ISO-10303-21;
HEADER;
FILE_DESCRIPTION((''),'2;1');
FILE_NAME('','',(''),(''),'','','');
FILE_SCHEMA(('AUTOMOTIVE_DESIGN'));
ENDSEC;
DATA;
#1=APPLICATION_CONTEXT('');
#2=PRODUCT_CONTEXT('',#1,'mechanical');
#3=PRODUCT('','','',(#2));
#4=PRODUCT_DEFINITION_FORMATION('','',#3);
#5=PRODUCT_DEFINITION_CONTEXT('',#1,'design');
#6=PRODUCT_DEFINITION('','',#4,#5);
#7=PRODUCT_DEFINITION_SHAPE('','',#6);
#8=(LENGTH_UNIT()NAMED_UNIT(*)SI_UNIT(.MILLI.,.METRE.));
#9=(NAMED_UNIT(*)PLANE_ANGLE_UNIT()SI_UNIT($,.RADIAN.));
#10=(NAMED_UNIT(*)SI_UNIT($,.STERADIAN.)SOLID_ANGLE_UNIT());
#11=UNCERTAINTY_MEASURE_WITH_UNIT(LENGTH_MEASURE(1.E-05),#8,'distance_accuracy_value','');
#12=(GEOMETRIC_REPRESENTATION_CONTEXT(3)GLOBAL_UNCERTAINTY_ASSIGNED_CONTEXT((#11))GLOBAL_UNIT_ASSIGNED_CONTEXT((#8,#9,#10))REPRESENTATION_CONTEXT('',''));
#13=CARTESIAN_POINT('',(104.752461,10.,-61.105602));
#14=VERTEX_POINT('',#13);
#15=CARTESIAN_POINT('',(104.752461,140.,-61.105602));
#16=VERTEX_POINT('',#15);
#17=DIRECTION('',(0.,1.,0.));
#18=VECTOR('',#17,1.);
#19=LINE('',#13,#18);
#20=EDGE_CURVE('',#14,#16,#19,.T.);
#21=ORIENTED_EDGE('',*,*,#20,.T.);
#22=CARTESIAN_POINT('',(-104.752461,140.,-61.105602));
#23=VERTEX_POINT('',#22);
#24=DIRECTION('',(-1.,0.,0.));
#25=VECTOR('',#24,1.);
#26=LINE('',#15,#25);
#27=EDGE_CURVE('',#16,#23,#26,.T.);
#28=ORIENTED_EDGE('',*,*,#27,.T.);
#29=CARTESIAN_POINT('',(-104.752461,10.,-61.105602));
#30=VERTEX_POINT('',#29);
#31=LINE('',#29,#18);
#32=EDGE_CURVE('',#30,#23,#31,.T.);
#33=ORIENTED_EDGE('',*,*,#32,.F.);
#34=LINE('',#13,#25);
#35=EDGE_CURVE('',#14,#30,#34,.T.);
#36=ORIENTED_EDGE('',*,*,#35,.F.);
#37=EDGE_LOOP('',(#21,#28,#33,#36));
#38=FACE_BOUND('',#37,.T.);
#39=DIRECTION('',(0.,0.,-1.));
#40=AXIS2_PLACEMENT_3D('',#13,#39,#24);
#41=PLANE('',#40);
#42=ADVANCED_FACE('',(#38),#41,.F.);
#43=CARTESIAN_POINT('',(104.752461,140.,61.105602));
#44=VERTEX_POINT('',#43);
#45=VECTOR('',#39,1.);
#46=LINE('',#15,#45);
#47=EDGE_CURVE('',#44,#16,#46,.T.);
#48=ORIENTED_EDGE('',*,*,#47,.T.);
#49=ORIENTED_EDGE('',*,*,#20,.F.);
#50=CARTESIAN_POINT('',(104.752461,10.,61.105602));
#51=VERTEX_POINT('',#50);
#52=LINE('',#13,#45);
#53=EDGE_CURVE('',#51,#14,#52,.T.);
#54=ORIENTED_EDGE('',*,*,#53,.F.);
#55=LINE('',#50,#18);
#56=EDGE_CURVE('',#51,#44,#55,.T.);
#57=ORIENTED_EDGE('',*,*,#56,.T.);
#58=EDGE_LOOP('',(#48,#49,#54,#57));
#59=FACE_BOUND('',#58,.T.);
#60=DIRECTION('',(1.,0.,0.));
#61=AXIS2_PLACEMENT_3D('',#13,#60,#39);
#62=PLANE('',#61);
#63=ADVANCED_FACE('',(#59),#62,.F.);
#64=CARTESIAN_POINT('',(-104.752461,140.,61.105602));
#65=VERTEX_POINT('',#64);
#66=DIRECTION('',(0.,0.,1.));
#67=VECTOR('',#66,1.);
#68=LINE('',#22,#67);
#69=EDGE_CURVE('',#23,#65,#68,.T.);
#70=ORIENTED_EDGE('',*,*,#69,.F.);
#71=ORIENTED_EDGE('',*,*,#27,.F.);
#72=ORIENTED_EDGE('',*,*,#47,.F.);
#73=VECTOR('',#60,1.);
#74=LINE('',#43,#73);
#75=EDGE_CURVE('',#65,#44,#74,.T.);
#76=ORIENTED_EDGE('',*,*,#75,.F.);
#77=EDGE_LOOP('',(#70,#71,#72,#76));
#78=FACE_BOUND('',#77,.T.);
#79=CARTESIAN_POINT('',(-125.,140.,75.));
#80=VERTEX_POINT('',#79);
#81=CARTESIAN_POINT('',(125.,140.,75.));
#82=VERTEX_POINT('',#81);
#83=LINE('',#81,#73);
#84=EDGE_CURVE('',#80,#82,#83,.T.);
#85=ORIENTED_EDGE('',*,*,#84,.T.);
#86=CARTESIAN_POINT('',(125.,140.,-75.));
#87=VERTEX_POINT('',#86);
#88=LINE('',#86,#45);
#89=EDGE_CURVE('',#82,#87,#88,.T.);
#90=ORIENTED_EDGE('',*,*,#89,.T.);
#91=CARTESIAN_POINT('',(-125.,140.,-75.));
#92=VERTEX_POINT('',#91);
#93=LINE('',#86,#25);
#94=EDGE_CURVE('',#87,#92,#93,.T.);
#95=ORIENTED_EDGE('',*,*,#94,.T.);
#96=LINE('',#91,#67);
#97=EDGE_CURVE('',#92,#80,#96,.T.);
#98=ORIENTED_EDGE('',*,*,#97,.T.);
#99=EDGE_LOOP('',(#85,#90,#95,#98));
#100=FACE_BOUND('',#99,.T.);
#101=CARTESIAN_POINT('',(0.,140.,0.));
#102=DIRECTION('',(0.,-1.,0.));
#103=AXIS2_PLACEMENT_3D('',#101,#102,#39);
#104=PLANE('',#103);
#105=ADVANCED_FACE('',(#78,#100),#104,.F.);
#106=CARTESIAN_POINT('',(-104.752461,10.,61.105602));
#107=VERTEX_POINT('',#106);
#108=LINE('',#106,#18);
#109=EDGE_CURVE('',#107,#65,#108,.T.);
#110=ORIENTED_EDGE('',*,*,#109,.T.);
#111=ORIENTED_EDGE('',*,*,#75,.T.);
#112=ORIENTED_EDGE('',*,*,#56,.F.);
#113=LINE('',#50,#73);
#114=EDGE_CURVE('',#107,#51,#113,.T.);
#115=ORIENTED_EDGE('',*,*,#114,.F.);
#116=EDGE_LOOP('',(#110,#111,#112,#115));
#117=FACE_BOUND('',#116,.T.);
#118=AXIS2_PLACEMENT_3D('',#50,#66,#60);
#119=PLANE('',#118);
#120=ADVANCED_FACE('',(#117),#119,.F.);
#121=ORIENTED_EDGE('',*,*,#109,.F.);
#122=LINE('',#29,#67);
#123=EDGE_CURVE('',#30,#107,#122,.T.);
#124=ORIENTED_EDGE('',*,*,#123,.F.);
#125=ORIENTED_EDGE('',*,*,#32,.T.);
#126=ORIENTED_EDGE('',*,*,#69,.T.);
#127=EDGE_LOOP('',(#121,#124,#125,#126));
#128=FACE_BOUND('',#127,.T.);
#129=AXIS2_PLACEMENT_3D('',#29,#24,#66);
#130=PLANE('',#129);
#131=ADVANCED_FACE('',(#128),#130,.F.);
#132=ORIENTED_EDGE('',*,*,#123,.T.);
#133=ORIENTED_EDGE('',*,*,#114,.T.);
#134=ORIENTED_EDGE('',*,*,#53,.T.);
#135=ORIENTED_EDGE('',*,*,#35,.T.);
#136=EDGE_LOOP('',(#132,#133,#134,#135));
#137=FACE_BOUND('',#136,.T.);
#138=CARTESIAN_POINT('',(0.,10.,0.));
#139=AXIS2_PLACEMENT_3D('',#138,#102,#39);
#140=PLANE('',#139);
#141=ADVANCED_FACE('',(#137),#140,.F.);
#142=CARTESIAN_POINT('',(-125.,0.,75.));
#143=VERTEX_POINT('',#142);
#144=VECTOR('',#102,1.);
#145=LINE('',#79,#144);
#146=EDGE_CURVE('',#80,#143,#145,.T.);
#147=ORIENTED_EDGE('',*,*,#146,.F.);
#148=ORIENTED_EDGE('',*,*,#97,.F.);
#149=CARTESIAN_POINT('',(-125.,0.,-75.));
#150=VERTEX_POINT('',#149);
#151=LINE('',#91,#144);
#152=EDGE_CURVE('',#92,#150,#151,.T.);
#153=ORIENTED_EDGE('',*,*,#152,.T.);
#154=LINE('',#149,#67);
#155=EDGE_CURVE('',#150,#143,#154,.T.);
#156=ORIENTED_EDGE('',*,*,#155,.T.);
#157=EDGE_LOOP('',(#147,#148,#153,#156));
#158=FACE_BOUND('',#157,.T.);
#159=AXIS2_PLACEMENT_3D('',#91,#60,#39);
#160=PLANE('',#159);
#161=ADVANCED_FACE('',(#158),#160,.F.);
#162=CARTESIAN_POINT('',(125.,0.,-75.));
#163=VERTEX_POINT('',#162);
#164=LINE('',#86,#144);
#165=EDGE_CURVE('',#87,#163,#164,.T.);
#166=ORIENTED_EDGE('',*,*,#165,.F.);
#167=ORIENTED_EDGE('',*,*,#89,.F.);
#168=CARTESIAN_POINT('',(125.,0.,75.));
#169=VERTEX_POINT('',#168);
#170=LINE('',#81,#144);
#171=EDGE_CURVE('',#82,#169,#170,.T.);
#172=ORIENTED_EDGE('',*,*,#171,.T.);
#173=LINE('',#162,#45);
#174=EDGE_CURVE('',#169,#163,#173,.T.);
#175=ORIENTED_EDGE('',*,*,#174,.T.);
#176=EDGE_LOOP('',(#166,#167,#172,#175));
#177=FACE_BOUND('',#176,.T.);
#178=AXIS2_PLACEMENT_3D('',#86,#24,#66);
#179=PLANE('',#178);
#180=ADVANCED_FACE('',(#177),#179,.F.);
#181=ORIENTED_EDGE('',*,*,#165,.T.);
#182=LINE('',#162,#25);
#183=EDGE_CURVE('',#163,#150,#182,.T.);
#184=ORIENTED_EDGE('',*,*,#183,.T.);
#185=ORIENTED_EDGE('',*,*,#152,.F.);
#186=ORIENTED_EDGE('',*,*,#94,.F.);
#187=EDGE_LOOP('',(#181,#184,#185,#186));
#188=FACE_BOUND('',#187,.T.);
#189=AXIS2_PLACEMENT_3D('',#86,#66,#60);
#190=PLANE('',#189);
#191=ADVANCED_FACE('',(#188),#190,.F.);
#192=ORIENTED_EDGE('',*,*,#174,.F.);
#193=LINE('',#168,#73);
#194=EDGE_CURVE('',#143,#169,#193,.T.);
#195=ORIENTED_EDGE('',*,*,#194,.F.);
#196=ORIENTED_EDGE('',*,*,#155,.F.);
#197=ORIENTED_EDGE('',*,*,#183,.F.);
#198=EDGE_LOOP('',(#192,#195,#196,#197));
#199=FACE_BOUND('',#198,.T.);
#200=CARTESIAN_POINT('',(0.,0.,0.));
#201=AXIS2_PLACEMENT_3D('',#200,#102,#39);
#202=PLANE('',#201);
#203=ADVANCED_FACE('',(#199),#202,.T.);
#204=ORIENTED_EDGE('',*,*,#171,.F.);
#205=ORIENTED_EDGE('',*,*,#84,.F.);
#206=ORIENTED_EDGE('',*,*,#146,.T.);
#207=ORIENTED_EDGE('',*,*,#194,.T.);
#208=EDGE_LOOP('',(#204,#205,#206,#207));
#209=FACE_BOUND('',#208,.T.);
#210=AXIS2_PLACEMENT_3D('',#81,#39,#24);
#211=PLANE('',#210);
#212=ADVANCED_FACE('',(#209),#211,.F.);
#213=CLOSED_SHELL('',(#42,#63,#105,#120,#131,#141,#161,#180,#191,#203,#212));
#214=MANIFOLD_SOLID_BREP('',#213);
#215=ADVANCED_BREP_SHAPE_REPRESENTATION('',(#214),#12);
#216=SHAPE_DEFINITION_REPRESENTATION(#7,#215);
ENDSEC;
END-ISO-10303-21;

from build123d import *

# Parameters (mm, degrees)
SKETCH1_W           = 250
SKETCH1_H           = 150
BOSS_EXTRUDE1_DEPTH = 140
SKETCH2_W           = 209.504921958
SKETCH2_H           = 122.211204476
CUT_EXTRUDE1_DEPTH  = 130


with BuildPart() as part:
    # Sketch1 → Boss-Extrude1 (new body)
    with BuildSketch(Plane(origin=(0, 0, 0), x_dir=(1, 0, 0), z_dir=(0, 1, 0))):
        Rectangle(SKETCH1_W, SKETCH1_H)
    extrude(amount=BOSS_EXTRUDE1_DEPTH)

    # Sketch2 → Cut-Extrude1 (cut)
    with BuildSketch(Plane(origin=(0, 140, 0), x_dir=(1, 0, 0), z_dir=(0, 1, 0))):
        Rectangle(SKETCH2_W, SKETCH2_H)
    extrude(amount=-CUT_EXTRUDE1_DEPTH, mode=Mode.SUBTRACT)


solid = part.part
